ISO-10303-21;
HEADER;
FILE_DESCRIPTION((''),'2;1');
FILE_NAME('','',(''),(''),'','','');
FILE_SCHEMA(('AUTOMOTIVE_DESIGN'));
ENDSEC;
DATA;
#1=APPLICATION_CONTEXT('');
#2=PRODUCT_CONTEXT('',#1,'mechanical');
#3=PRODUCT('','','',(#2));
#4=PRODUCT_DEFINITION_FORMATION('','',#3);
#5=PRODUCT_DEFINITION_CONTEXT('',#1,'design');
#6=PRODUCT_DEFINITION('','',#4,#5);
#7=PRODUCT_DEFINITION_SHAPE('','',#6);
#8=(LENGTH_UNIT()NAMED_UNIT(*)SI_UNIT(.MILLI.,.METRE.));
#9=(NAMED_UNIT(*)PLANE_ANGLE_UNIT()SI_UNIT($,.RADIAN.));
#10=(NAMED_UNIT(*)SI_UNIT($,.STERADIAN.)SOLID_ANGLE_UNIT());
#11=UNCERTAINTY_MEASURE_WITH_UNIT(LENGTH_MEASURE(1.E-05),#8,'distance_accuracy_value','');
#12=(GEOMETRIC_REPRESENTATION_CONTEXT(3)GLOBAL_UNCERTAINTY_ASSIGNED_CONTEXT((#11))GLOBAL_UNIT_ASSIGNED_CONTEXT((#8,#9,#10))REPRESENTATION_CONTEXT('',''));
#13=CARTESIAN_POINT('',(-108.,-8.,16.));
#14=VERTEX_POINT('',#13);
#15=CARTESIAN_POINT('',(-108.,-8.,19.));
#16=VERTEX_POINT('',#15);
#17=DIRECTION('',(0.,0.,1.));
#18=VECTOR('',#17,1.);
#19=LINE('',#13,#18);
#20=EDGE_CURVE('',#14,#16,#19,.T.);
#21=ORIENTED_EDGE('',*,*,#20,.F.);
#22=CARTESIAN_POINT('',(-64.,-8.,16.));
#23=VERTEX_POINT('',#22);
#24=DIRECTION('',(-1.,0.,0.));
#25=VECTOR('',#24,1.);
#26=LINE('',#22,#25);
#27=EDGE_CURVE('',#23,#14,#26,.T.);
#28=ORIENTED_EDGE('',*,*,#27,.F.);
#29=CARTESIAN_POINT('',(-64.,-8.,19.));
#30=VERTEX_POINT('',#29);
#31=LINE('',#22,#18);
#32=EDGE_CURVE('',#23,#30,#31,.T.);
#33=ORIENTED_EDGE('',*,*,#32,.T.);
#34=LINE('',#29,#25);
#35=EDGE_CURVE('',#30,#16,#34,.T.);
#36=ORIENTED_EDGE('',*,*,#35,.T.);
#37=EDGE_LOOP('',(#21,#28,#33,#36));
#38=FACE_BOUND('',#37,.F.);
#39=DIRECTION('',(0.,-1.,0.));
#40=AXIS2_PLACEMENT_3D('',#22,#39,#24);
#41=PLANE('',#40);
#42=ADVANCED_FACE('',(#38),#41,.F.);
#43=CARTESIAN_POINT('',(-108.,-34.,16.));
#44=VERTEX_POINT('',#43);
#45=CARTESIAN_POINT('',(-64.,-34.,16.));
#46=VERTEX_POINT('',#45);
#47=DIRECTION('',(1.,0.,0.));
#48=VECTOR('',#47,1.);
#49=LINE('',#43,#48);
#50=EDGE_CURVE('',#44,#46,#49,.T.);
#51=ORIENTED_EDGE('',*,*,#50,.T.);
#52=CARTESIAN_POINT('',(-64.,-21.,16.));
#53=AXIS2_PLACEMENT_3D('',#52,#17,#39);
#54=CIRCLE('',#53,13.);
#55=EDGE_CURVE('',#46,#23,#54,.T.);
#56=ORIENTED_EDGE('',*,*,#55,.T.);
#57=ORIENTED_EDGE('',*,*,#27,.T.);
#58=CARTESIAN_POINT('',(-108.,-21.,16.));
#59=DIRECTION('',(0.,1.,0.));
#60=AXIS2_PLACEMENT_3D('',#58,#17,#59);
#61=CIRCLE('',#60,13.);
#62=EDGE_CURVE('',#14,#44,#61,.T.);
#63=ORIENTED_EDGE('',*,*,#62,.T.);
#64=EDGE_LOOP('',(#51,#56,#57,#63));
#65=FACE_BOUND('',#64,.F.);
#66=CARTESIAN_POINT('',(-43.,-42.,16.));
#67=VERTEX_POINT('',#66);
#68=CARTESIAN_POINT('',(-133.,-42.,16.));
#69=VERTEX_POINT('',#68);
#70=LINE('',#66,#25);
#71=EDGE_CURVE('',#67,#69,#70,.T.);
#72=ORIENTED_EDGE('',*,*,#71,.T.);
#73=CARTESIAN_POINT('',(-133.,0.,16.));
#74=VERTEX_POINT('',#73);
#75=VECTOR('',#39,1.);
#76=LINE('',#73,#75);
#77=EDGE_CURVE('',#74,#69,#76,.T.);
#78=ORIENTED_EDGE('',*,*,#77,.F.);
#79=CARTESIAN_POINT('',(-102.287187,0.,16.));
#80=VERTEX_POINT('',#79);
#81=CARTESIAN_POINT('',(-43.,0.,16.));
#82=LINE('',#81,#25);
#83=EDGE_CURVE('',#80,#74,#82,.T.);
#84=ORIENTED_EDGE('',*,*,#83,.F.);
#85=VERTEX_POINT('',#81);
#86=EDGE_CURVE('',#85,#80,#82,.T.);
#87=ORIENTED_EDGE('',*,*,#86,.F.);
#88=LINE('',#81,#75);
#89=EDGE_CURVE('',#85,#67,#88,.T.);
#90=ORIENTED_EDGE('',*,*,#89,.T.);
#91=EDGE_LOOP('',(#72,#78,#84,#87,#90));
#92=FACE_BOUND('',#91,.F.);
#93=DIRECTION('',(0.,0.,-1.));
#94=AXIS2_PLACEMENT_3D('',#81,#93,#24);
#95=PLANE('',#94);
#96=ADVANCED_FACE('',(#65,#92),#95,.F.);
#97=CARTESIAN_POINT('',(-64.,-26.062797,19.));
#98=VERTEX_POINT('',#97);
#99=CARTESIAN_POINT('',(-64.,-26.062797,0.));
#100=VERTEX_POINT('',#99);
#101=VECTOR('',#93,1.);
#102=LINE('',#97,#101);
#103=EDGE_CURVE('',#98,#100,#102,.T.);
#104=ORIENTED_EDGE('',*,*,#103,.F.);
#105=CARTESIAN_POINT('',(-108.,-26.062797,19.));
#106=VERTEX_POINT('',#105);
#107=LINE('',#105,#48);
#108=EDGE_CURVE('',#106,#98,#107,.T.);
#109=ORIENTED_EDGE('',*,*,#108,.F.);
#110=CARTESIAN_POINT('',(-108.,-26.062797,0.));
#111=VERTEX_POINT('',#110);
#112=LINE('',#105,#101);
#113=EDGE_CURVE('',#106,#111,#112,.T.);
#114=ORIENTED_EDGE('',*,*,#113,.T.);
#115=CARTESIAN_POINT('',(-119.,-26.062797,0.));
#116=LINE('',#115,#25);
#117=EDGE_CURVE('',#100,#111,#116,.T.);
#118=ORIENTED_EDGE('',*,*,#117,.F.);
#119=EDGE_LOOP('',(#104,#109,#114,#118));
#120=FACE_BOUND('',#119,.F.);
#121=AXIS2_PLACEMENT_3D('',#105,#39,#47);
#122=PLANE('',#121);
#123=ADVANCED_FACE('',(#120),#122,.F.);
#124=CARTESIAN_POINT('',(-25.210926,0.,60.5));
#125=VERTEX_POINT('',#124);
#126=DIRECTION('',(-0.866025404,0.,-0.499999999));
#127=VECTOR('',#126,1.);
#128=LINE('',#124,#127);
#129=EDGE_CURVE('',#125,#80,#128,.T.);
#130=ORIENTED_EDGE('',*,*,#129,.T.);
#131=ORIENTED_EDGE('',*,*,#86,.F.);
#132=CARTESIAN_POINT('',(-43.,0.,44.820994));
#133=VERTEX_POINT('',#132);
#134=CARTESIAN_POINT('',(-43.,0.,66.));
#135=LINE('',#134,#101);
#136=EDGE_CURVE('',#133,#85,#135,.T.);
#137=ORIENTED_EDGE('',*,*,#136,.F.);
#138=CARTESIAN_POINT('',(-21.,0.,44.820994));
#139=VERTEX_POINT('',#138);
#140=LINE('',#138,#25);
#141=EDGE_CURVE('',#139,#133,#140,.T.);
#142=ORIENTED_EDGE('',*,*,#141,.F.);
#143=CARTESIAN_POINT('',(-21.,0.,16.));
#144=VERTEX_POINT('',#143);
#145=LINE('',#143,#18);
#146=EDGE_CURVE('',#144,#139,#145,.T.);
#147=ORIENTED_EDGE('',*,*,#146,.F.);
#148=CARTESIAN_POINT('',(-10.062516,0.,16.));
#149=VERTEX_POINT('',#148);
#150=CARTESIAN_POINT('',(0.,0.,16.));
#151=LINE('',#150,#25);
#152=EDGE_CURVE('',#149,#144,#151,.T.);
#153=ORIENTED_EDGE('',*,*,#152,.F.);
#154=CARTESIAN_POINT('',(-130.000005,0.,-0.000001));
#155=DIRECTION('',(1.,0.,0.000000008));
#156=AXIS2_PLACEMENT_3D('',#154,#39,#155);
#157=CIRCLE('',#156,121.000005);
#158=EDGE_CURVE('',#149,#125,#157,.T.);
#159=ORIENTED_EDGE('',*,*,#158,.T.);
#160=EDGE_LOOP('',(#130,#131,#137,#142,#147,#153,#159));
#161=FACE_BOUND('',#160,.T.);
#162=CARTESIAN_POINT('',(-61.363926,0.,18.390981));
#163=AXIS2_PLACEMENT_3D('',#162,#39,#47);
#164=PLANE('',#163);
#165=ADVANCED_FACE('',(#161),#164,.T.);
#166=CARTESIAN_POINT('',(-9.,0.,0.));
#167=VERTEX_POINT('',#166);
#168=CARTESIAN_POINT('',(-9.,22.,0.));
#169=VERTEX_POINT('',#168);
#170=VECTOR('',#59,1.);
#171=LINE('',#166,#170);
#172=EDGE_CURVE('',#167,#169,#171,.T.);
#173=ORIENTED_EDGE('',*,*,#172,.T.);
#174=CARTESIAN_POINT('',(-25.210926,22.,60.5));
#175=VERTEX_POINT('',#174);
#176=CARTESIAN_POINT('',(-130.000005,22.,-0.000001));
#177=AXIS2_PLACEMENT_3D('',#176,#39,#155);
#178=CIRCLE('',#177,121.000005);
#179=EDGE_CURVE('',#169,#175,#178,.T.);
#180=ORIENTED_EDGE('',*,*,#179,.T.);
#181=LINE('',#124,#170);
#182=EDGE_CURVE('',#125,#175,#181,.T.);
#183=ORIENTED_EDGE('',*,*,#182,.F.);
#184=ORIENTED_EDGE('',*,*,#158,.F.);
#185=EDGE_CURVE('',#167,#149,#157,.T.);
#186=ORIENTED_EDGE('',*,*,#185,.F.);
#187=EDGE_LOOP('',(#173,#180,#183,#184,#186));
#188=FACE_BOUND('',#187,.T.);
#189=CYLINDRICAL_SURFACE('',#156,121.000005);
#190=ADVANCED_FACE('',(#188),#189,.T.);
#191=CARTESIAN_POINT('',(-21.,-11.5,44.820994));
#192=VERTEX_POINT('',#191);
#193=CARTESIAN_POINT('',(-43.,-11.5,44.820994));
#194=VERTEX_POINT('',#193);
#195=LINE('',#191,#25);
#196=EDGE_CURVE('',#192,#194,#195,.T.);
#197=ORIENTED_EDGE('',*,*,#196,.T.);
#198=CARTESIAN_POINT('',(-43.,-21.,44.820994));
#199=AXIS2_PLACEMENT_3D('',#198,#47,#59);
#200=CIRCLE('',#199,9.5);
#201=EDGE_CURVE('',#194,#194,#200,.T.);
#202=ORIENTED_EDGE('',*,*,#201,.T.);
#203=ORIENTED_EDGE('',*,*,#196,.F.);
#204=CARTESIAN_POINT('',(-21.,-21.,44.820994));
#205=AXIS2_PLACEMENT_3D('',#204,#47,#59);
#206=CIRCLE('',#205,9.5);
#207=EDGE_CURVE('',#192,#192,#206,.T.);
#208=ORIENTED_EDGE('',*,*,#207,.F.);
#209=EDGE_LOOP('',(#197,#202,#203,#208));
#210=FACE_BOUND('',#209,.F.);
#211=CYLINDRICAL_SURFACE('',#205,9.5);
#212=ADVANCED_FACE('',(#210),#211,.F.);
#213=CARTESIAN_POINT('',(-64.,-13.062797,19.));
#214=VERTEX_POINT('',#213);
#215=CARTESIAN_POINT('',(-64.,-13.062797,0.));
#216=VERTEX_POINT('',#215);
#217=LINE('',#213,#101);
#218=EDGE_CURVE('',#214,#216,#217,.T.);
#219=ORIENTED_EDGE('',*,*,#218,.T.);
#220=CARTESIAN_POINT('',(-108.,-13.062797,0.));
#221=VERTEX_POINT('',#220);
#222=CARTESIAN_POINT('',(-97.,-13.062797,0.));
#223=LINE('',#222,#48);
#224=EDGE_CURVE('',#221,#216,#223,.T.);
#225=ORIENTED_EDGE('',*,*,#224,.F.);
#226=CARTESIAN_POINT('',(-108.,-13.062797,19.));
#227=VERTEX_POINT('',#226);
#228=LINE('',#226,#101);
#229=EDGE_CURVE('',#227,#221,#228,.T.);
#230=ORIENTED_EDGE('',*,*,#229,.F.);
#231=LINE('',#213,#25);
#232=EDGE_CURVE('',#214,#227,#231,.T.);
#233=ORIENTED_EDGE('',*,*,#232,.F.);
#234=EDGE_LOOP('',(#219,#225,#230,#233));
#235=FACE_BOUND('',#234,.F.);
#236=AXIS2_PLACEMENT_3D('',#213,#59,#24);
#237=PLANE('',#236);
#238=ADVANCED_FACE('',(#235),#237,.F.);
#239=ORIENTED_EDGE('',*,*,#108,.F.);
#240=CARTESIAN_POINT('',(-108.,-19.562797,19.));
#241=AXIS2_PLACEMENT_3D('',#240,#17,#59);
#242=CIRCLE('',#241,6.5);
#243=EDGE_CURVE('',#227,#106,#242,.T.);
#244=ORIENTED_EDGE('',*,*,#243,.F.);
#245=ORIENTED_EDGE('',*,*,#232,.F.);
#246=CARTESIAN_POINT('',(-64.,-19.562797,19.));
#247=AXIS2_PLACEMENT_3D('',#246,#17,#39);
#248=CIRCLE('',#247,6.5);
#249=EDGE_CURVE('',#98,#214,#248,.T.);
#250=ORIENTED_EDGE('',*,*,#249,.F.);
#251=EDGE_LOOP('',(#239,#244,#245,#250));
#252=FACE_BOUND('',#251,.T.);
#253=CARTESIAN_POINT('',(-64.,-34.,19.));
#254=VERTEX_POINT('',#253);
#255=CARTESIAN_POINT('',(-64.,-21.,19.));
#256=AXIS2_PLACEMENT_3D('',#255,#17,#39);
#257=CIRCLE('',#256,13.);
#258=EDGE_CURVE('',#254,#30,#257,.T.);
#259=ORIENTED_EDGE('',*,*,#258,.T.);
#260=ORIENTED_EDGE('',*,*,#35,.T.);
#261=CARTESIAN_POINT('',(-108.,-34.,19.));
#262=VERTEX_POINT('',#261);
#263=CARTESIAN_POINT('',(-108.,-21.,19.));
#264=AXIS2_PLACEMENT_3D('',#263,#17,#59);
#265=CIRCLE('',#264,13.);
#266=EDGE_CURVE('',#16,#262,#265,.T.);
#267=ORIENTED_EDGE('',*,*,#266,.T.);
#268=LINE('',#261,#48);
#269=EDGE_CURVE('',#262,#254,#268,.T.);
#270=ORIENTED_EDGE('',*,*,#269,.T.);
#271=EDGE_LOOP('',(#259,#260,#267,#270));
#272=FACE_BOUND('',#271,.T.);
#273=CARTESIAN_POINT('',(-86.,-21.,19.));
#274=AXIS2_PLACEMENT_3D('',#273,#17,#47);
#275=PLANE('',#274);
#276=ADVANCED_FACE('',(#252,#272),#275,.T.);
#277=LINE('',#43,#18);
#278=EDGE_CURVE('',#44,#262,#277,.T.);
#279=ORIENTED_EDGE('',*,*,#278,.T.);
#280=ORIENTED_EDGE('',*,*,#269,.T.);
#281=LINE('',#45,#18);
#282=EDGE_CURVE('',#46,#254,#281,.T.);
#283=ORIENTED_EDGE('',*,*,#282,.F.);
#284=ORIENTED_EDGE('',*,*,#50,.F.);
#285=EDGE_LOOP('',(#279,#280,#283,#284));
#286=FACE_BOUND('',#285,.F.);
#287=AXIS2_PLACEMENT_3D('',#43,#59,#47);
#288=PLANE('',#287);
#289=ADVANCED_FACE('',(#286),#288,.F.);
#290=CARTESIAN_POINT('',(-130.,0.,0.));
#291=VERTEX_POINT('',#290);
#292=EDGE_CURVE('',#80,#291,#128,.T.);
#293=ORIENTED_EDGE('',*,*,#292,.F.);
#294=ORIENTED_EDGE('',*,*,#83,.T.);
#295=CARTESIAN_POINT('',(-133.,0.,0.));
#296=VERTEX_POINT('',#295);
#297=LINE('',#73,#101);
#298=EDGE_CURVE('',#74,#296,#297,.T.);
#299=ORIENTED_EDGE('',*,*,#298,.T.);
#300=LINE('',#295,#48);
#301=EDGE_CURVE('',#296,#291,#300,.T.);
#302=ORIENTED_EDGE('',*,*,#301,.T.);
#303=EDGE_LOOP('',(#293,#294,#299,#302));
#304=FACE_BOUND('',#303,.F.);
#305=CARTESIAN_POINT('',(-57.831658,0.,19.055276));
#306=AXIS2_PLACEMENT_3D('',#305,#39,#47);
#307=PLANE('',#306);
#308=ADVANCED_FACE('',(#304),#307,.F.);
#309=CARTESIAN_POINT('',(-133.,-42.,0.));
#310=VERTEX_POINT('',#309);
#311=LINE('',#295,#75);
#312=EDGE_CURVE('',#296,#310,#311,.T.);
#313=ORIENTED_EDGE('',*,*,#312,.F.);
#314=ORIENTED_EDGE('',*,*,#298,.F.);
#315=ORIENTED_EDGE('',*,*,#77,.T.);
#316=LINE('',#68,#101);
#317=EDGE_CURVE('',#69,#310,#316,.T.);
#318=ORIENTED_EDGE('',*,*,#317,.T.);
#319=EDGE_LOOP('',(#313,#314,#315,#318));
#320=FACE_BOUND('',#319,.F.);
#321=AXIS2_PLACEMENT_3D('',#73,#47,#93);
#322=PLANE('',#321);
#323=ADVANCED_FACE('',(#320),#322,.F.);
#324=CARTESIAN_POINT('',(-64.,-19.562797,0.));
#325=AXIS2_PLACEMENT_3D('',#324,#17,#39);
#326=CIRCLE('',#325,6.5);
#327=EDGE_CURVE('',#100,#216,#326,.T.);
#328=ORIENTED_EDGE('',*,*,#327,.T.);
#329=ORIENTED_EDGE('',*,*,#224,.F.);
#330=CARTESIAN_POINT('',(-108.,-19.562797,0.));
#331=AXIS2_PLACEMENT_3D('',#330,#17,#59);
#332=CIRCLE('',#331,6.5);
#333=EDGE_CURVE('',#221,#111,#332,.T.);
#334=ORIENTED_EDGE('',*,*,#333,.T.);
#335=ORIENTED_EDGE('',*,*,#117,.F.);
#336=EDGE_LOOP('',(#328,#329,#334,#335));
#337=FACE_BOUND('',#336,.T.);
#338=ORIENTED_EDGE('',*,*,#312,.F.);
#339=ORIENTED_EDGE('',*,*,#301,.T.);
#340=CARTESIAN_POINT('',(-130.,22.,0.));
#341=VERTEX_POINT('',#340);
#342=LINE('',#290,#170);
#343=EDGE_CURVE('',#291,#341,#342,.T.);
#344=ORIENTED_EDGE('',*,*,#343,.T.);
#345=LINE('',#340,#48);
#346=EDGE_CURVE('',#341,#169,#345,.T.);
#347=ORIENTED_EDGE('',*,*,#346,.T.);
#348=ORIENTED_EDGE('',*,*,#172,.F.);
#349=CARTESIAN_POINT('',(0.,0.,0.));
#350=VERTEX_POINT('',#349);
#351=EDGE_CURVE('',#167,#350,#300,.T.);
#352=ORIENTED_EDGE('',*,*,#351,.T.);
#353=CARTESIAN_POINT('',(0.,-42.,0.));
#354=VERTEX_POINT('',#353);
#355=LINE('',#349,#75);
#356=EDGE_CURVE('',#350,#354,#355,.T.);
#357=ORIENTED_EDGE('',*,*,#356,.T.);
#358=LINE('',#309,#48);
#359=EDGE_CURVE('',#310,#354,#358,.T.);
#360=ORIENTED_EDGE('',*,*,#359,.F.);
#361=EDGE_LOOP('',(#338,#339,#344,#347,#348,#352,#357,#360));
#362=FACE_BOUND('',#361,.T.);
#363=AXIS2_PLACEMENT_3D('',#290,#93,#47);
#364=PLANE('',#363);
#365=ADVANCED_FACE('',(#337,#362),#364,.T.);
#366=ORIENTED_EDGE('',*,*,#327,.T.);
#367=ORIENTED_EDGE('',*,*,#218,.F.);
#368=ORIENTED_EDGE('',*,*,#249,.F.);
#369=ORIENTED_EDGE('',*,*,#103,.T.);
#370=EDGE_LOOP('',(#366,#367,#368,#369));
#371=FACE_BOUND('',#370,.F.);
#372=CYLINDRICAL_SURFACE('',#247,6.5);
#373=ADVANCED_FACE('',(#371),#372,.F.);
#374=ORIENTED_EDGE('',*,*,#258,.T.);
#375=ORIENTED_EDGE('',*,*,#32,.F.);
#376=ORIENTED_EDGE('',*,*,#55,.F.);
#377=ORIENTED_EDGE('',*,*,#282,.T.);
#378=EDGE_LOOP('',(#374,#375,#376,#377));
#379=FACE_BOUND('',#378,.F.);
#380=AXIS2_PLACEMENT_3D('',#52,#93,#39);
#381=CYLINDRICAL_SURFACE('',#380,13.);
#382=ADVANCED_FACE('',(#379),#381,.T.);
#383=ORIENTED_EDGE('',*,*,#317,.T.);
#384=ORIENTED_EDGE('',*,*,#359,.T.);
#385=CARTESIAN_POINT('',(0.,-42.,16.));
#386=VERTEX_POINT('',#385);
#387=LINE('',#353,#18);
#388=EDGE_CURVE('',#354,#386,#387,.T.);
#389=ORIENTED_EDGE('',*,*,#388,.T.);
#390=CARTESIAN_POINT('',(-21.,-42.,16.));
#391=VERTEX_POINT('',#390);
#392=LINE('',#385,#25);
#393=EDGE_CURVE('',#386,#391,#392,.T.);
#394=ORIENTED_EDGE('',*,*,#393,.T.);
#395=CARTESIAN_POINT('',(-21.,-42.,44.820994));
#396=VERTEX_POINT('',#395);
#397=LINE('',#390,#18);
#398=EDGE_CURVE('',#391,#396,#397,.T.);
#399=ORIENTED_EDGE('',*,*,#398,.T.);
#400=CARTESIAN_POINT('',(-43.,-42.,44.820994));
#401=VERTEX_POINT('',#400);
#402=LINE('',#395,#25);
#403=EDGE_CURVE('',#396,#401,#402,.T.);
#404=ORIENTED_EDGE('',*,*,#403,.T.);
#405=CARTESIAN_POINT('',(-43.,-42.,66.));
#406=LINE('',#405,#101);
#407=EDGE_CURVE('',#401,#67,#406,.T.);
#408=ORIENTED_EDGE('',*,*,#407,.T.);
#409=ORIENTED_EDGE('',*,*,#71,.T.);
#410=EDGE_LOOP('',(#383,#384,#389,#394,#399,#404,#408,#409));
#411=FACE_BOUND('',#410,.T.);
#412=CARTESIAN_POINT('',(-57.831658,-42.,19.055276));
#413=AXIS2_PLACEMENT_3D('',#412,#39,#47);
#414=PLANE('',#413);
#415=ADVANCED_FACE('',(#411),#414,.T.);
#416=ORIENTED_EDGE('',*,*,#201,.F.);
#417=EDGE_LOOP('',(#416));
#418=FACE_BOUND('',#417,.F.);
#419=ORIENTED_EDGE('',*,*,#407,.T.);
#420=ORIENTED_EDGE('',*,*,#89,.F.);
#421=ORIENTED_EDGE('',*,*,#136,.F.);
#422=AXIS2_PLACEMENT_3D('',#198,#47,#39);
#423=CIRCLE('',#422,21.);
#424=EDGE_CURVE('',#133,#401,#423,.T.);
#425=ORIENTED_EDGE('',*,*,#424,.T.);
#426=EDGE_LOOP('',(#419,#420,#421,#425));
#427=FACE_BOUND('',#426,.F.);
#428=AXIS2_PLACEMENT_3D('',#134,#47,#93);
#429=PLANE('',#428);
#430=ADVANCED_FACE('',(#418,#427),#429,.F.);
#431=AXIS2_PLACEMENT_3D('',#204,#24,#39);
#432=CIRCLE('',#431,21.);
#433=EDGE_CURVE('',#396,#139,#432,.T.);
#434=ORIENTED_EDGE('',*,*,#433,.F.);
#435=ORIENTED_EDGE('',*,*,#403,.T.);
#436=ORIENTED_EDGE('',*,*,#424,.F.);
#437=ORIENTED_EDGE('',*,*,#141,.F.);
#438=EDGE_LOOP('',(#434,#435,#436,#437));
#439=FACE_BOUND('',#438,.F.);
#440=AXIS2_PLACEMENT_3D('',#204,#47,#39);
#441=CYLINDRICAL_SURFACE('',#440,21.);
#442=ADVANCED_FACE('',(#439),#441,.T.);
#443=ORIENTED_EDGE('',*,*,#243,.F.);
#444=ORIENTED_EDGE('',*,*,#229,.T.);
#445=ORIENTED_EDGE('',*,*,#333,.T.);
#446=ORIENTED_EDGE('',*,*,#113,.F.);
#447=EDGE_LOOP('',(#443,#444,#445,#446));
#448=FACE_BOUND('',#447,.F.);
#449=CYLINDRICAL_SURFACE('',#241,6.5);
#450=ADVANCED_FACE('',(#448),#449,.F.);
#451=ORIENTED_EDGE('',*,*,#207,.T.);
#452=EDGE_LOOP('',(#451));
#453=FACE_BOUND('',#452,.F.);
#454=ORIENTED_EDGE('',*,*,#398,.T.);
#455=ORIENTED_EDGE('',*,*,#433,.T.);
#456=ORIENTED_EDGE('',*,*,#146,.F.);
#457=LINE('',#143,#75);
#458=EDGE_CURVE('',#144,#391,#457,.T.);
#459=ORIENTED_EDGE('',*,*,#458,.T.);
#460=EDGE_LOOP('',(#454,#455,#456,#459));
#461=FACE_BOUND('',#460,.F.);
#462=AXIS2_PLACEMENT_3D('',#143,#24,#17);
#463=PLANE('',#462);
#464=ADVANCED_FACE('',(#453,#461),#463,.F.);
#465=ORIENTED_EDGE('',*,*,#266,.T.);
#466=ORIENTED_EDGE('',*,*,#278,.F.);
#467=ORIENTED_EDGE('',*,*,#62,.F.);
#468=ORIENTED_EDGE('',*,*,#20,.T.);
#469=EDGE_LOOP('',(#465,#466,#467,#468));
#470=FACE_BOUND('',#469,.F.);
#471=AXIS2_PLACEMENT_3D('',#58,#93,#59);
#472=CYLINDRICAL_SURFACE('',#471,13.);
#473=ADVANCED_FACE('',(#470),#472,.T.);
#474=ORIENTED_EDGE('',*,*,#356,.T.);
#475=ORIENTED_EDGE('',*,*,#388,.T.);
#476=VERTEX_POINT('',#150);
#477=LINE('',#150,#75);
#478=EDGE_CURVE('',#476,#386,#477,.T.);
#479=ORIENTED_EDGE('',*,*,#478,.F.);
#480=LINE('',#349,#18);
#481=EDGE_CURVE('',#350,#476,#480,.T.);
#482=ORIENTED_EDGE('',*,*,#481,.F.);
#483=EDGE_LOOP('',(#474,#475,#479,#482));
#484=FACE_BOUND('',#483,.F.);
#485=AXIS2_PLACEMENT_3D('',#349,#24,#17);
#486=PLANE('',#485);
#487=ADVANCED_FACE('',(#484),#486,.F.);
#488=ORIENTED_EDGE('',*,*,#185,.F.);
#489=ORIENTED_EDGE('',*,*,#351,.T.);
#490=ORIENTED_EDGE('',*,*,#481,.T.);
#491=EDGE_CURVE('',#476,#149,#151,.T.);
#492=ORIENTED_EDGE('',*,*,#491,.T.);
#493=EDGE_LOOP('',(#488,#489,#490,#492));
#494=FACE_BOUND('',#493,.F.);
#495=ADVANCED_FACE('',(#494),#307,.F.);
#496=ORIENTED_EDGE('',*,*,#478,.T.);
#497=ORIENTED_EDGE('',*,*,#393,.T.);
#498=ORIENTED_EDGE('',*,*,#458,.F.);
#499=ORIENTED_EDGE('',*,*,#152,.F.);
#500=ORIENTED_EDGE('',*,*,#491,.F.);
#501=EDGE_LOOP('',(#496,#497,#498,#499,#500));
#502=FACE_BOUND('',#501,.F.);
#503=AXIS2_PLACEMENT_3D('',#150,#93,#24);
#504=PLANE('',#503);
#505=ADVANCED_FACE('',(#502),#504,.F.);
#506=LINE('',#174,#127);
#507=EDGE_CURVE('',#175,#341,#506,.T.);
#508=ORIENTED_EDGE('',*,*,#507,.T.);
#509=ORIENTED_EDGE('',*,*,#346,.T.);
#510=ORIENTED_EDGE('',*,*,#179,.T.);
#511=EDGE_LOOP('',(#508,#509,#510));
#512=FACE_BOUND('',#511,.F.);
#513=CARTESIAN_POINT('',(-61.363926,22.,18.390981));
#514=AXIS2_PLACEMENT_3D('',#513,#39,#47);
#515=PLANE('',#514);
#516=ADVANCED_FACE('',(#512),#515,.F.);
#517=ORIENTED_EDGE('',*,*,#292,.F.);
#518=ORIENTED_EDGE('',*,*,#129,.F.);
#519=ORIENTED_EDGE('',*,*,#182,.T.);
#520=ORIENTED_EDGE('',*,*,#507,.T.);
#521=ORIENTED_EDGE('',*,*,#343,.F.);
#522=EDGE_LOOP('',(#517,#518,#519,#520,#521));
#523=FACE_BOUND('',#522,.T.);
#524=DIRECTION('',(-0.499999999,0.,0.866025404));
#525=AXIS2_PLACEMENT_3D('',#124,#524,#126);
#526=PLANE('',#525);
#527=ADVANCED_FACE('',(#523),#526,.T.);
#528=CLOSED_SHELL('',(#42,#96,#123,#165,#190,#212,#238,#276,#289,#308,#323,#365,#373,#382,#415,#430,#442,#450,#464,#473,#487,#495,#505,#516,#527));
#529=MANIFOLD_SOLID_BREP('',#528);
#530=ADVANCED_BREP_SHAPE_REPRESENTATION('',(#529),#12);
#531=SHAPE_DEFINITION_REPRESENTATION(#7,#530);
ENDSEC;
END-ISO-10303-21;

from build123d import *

# Parameters (mm, degrees)
F1_DEPTH  = 42
F3_DEPTH  = 112.001
F2_R      = 9.5
F4_DEPTH  = 112.001
F6_DEPTH  = 3
F8_DEPTH  = 22
F10_DEPTH = 19.001


with BuildPart() as f1:
    # F0 (on Front) → F1 (new body)
    with BuildSketch(Plane.XZ):
        Polygon((-133, 0), (0, 0), (0, 16), (-21, 16), (-21, 66), (-43, 66), (-43, 16), (-133, 16), align=None)
    extrude(amount=F1_DEPTH)

    # F2 (on face) → F3 (cut, through all)
    with BuildSketch(Plane.YZ.offset(-21)):
        with BuildLine():
            Line((-42, 66), (-42, 44.820994))
            ThreePointArc((-42, 44.820994), (-21, 65.820994), (0, 44.820994))
            Line((0, 44.820994), (0, 66))
            Line((0, 66), (-42, 66))
        make_face()
    extrude(amount=-F3_DEPTH, mode=Mode.SUBTRACT)

    # F2 (on face) → F4 (cut, through all)
    with BuildSketch(Plane.YZ.offset(-21)):
        with Locations((-21, 44.820994)):
            Circle(F2_R)
    extrude(amount=-F4_DEPTH, mode=Mode.SUBTRACT)

    # F5 (on face) → F6 (join)
    with BuildSketch(Plane.XY.offset(16)):
        with BuildLine():
            Line((-64, -8), (-108, -8))
            ThreePointArc((-108, -8), (-121, -21), (-108, -34))
            Line((-108, -34), (-64, -34))
            ThreePointArc((-64, -34), (-51, -21), (-64, -8))
        make_face()
    extrude(amount=F6_DEPTH)

    # F7 (on Front) → F8 (join)
    with BuildSketch(Plane.XZ):
        with BuildLine():
            Line((-130, 0), (-9, 0))
            ThreePointArc((-9, 0), (-13.122975, 31.317104), (-25.210926, 60.5))
            Line((-25.210926, 60.5), (-130, 0))
        make_face()
    extrude(amount=-F8_DEPTH)

    # F9 (on face) → F10 (cut, through all)
    with BuildSketch(Plane.XY.offset(19)):
        with BuildLine():
            Line((-64, -13.062797), (-108, -13.062797))
            ThreePointArc((-108, -13.062797), (-114.5, -19.562797), (-108, -26.062797))
            Line((-108, -26.062797), (-64, -26.062797))
            ThreePointArc((-64, -26.062797), (-57.5, -19.562797), (-64, -13.062797))
        make_face()
    extrude(amount=-F10_DEPTH, mode=Mode.SUBTRACT)


solid = f1.part
